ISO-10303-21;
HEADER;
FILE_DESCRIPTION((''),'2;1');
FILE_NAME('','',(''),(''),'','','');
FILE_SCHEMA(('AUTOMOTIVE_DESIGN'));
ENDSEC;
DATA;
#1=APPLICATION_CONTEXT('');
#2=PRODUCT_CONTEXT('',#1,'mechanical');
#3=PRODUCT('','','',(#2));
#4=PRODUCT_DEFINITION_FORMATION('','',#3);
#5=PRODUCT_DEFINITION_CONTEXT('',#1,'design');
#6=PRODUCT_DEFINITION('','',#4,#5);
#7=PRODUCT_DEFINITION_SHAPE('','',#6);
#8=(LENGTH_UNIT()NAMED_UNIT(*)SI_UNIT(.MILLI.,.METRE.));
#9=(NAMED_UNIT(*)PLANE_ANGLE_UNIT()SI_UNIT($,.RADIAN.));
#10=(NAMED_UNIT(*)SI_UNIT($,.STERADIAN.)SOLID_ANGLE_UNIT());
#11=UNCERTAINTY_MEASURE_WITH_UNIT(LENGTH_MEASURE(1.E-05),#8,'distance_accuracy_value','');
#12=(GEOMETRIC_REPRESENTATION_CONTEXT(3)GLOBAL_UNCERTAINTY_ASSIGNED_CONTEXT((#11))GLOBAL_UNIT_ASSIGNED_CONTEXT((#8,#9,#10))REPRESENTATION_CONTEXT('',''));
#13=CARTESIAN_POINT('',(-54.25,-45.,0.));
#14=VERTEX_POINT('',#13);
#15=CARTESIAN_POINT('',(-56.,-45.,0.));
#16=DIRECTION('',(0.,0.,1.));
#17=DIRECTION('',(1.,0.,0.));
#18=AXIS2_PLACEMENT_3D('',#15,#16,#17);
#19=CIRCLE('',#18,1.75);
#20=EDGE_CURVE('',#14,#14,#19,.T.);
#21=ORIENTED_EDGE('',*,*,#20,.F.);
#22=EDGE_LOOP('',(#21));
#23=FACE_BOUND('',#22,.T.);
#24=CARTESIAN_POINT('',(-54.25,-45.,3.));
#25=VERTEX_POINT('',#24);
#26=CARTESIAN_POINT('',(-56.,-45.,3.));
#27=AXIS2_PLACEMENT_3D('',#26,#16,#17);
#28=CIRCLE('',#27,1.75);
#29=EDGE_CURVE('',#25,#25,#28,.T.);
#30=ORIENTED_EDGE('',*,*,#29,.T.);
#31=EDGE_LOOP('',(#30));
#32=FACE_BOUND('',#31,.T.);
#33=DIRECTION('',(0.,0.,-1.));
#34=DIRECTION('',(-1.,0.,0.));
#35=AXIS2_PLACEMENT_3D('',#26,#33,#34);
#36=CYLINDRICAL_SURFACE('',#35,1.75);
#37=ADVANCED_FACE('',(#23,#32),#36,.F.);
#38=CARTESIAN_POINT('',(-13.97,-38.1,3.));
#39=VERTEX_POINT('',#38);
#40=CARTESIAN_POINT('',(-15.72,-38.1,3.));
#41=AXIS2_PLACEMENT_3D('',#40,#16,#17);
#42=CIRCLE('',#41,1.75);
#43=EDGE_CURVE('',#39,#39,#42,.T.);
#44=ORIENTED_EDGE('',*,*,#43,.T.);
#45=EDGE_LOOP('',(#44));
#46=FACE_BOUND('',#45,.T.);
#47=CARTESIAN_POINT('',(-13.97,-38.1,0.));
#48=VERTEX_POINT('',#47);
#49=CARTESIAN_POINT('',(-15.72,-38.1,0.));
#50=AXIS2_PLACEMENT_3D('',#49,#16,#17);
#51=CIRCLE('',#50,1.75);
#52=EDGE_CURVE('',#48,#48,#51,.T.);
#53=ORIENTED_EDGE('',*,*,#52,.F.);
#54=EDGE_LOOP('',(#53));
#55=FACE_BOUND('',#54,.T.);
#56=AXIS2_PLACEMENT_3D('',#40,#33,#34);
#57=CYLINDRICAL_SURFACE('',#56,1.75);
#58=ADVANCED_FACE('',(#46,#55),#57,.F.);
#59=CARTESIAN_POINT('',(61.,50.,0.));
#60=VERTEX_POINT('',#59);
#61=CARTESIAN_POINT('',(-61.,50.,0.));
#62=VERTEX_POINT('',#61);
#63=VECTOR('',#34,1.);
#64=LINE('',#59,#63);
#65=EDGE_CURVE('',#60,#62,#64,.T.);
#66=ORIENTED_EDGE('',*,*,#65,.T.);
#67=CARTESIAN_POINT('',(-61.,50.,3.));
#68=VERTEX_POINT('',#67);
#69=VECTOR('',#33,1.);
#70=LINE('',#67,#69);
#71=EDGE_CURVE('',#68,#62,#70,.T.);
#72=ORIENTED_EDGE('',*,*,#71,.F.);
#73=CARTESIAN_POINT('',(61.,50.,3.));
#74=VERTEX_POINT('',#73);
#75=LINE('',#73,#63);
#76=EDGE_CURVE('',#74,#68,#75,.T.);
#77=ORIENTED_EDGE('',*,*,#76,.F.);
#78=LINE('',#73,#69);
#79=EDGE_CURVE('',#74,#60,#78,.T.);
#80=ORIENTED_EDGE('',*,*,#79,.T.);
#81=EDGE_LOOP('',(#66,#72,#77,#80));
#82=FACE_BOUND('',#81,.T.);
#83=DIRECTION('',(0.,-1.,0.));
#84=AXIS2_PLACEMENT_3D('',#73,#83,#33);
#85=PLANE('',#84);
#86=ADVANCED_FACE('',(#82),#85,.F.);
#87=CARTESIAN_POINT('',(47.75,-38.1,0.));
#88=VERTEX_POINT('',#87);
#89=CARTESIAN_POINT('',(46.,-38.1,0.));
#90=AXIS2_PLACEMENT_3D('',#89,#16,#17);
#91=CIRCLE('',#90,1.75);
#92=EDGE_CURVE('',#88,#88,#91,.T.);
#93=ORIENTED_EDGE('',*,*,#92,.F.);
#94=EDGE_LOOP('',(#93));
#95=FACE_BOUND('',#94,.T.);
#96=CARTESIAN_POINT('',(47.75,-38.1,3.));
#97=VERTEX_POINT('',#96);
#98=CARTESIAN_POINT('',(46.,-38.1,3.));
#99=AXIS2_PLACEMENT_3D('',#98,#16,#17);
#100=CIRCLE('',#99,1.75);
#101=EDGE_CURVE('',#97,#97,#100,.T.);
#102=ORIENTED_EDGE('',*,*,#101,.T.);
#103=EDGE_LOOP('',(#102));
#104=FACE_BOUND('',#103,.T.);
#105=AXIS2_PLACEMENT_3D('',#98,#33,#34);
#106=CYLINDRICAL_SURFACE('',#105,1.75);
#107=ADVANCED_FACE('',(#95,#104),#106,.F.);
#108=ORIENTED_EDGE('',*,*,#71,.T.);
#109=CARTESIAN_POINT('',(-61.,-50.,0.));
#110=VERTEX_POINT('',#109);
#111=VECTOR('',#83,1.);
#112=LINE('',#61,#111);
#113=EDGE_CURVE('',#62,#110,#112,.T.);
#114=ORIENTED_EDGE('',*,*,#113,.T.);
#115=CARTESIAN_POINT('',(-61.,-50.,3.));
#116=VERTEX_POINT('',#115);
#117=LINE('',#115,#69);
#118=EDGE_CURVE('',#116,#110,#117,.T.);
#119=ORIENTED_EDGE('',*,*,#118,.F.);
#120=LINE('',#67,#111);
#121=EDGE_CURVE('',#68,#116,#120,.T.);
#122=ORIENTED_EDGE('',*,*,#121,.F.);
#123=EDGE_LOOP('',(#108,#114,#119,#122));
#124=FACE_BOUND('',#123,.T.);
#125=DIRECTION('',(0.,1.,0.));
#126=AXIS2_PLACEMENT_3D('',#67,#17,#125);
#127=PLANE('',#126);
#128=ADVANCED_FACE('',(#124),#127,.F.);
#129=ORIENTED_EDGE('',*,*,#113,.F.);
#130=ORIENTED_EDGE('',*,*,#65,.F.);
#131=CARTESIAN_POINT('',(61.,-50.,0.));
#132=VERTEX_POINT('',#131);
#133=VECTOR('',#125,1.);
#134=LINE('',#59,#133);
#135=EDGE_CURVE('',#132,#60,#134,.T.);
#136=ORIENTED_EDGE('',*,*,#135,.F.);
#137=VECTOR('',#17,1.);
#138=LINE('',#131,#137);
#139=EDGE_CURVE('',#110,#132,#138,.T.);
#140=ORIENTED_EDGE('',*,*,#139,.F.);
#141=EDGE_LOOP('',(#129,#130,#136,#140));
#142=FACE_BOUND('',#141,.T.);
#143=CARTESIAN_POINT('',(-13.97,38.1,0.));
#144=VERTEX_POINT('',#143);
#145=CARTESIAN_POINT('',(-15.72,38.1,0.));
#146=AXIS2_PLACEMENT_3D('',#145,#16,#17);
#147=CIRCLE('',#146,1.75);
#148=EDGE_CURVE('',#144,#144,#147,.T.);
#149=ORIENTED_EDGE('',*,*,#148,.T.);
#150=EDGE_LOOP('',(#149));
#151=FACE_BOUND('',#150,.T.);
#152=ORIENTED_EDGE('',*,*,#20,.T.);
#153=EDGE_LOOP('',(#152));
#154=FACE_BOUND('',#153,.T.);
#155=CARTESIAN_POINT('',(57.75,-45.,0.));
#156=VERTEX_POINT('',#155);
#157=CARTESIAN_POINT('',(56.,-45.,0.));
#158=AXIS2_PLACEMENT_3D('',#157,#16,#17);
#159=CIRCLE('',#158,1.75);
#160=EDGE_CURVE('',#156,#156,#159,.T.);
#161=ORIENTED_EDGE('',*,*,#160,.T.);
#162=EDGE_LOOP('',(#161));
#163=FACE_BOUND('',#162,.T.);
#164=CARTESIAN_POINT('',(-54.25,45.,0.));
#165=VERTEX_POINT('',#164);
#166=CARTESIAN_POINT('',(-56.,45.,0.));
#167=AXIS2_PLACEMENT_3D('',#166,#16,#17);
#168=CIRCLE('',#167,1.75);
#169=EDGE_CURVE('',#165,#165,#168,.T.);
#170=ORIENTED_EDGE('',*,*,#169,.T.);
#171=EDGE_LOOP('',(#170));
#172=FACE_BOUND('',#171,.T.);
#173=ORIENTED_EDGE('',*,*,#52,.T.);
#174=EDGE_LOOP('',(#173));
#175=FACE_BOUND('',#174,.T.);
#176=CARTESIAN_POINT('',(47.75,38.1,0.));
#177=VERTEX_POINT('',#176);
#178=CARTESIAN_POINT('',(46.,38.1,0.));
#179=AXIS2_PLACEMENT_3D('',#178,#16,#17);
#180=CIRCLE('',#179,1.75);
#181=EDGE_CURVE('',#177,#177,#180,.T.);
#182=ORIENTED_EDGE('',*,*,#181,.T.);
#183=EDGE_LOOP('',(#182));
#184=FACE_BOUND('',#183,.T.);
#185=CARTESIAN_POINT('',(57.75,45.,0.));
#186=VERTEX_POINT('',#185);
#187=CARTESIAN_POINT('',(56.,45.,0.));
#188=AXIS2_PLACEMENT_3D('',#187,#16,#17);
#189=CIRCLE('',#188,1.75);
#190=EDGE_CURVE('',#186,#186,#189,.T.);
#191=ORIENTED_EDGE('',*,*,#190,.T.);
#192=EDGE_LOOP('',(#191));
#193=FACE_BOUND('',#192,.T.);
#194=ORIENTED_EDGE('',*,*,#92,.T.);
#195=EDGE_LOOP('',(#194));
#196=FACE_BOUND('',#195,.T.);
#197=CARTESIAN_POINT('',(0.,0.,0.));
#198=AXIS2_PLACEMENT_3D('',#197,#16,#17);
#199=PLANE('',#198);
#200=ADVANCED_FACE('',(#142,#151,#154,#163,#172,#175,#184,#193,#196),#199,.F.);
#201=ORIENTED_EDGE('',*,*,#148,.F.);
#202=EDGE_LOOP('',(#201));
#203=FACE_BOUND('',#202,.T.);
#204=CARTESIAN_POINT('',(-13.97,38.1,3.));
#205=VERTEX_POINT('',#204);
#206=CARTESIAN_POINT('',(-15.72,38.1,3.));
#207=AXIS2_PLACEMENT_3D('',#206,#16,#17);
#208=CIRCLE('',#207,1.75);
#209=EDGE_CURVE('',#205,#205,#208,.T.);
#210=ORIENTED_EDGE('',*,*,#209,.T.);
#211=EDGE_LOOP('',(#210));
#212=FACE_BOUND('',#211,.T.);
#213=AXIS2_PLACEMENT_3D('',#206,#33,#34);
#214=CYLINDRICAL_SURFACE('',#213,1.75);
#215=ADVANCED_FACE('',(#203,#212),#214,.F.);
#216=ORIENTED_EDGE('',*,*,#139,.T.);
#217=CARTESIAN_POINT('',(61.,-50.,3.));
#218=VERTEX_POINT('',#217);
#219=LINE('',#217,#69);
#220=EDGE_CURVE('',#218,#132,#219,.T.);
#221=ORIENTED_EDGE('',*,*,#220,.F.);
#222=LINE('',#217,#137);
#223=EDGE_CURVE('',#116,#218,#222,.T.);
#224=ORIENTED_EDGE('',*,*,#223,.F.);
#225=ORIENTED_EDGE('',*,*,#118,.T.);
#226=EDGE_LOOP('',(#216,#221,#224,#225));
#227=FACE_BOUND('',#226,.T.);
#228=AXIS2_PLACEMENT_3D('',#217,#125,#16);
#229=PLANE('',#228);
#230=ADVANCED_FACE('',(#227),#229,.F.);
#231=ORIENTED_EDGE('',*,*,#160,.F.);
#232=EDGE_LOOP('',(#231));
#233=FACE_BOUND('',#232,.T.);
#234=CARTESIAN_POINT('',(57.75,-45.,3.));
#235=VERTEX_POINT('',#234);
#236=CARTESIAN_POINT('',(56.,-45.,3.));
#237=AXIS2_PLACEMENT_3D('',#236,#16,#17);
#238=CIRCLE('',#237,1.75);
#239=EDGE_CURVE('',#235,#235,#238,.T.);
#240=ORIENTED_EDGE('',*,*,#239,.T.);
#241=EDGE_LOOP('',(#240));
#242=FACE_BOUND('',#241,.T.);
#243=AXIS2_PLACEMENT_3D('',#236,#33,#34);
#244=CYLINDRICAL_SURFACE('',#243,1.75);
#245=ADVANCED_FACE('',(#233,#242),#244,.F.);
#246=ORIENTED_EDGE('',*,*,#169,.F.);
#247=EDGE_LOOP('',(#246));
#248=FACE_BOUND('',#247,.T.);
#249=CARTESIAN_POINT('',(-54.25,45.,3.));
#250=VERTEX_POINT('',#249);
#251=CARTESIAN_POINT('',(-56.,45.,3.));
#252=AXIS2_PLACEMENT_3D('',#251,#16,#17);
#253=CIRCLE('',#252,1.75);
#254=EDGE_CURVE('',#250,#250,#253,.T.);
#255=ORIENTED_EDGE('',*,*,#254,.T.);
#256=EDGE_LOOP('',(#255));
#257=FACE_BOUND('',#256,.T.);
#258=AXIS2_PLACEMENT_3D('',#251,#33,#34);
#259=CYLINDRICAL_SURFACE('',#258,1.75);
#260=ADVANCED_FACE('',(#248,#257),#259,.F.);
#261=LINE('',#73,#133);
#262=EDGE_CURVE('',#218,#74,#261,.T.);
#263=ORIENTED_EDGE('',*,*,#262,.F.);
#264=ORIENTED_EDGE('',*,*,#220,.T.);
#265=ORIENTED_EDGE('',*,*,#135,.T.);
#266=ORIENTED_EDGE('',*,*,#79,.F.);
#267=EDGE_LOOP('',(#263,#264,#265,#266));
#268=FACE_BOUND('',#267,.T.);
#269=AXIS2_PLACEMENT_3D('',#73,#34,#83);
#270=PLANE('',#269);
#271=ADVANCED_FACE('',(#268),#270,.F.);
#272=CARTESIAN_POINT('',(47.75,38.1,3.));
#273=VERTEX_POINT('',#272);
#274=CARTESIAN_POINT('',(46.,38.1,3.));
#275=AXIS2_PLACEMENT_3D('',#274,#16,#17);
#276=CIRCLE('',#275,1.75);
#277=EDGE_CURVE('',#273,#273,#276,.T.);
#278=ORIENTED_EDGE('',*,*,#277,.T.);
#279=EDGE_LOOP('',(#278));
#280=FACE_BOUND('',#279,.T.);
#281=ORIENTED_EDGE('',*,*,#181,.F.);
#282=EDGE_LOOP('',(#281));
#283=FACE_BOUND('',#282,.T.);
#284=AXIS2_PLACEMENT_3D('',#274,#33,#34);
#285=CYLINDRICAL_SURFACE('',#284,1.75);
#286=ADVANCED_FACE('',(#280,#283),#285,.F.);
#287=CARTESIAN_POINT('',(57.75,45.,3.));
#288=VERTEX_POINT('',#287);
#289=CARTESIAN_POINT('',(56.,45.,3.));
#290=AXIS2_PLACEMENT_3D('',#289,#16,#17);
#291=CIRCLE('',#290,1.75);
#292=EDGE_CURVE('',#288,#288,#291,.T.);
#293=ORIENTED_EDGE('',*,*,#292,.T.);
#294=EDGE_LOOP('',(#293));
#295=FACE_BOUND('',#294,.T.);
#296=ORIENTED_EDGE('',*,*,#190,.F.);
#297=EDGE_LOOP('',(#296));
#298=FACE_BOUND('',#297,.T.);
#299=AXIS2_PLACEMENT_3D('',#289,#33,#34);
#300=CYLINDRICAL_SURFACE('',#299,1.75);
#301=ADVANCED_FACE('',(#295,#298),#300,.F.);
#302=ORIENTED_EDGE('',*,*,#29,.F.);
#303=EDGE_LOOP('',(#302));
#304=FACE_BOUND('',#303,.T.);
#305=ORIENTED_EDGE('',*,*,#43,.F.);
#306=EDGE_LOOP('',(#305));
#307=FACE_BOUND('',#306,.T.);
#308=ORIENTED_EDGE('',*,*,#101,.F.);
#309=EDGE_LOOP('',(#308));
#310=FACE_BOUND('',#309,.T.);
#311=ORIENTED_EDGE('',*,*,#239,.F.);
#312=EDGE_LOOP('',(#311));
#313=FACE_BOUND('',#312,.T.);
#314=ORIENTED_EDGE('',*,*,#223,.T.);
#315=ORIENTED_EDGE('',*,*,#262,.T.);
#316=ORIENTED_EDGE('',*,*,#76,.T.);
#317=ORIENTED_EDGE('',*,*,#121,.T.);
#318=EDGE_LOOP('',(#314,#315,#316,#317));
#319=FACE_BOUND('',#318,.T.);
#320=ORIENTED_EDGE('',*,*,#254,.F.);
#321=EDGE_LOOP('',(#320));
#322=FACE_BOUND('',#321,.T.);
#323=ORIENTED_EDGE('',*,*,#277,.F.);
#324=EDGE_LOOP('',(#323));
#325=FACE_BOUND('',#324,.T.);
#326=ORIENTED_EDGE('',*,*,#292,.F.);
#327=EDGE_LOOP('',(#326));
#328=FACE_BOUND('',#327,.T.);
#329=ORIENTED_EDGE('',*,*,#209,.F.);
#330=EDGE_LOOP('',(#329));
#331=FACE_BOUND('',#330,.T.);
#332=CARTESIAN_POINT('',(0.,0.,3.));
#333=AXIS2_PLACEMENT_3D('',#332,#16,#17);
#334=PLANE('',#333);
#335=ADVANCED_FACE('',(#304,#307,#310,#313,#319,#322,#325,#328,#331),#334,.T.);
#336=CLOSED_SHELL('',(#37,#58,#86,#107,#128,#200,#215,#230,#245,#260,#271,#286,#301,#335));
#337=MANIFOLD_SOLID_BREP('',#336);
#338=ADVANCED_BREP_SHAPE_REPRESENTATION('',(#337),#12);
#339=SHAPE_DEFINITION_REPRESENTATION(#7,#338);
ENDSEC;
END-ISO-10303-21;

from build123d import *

# Parameters (mm, degrees)
SKETCH1_W           = 100
SKETCH1_H           = 122
SKETCH1_R           = 1.75
BOSS_EXTRUDE1_DEPTH = 3


with BuildPart() as part:
    # Sketch1 → Boss-Extrude1 (new body)
    with BuildSketch(Plane(origin=(0, 0, 0), x_dir=(0, 1, 0), z_dir=(0, 0, 1))):
        Rectangle(SKETCH1_W, SKETCH1_H)
        with Locations(Location((-45, 56, 0), (0, 0, 270))):
            Circle(SKETCH1_R, mode=Mode.SUBTRACT)
        with Locations(Location((45, 56, 0), (0, 0, 270))):
            Circle(SKETCH1_R, mode=Mode.SUBTRACT)
        with Locations(Location((-45, -56, 0), (0, 0, 270))):
            Circle(SKETCH1_R, mode=Mode.SUBTRACT)
        with Locations(Location((45, -56, 0), (0, 0, 270))):
            Circle(SKETCH1_R, mode=Mode.SUBTRACT)
        with Locations(Location((-38.1, -46, 0), (0, 0, 270))):
            Circle(SKETCH1_R, mode=Mode.SUBTRACT)
        with Locations(Location((38.1, -46, 0), (0, 0, 270))):
            Circle(SKETCH1_R, mode=Mode.SUBTRACT)
        with Locations(Location((-38.1, 15.72, 0), (0, 0, 270))):
            Circle(SKETCH1_R, mode=Mode.SUBTRACT)
        with Locations(Location((38.1, 15.72, 0), (0, 0, 270))):
            Circle(SKETCH1_R, mode=Mode.SUBTRACT)
    extrude(amount=BOSS_EXTRUDE1_DEPTH)


solid = part.part
